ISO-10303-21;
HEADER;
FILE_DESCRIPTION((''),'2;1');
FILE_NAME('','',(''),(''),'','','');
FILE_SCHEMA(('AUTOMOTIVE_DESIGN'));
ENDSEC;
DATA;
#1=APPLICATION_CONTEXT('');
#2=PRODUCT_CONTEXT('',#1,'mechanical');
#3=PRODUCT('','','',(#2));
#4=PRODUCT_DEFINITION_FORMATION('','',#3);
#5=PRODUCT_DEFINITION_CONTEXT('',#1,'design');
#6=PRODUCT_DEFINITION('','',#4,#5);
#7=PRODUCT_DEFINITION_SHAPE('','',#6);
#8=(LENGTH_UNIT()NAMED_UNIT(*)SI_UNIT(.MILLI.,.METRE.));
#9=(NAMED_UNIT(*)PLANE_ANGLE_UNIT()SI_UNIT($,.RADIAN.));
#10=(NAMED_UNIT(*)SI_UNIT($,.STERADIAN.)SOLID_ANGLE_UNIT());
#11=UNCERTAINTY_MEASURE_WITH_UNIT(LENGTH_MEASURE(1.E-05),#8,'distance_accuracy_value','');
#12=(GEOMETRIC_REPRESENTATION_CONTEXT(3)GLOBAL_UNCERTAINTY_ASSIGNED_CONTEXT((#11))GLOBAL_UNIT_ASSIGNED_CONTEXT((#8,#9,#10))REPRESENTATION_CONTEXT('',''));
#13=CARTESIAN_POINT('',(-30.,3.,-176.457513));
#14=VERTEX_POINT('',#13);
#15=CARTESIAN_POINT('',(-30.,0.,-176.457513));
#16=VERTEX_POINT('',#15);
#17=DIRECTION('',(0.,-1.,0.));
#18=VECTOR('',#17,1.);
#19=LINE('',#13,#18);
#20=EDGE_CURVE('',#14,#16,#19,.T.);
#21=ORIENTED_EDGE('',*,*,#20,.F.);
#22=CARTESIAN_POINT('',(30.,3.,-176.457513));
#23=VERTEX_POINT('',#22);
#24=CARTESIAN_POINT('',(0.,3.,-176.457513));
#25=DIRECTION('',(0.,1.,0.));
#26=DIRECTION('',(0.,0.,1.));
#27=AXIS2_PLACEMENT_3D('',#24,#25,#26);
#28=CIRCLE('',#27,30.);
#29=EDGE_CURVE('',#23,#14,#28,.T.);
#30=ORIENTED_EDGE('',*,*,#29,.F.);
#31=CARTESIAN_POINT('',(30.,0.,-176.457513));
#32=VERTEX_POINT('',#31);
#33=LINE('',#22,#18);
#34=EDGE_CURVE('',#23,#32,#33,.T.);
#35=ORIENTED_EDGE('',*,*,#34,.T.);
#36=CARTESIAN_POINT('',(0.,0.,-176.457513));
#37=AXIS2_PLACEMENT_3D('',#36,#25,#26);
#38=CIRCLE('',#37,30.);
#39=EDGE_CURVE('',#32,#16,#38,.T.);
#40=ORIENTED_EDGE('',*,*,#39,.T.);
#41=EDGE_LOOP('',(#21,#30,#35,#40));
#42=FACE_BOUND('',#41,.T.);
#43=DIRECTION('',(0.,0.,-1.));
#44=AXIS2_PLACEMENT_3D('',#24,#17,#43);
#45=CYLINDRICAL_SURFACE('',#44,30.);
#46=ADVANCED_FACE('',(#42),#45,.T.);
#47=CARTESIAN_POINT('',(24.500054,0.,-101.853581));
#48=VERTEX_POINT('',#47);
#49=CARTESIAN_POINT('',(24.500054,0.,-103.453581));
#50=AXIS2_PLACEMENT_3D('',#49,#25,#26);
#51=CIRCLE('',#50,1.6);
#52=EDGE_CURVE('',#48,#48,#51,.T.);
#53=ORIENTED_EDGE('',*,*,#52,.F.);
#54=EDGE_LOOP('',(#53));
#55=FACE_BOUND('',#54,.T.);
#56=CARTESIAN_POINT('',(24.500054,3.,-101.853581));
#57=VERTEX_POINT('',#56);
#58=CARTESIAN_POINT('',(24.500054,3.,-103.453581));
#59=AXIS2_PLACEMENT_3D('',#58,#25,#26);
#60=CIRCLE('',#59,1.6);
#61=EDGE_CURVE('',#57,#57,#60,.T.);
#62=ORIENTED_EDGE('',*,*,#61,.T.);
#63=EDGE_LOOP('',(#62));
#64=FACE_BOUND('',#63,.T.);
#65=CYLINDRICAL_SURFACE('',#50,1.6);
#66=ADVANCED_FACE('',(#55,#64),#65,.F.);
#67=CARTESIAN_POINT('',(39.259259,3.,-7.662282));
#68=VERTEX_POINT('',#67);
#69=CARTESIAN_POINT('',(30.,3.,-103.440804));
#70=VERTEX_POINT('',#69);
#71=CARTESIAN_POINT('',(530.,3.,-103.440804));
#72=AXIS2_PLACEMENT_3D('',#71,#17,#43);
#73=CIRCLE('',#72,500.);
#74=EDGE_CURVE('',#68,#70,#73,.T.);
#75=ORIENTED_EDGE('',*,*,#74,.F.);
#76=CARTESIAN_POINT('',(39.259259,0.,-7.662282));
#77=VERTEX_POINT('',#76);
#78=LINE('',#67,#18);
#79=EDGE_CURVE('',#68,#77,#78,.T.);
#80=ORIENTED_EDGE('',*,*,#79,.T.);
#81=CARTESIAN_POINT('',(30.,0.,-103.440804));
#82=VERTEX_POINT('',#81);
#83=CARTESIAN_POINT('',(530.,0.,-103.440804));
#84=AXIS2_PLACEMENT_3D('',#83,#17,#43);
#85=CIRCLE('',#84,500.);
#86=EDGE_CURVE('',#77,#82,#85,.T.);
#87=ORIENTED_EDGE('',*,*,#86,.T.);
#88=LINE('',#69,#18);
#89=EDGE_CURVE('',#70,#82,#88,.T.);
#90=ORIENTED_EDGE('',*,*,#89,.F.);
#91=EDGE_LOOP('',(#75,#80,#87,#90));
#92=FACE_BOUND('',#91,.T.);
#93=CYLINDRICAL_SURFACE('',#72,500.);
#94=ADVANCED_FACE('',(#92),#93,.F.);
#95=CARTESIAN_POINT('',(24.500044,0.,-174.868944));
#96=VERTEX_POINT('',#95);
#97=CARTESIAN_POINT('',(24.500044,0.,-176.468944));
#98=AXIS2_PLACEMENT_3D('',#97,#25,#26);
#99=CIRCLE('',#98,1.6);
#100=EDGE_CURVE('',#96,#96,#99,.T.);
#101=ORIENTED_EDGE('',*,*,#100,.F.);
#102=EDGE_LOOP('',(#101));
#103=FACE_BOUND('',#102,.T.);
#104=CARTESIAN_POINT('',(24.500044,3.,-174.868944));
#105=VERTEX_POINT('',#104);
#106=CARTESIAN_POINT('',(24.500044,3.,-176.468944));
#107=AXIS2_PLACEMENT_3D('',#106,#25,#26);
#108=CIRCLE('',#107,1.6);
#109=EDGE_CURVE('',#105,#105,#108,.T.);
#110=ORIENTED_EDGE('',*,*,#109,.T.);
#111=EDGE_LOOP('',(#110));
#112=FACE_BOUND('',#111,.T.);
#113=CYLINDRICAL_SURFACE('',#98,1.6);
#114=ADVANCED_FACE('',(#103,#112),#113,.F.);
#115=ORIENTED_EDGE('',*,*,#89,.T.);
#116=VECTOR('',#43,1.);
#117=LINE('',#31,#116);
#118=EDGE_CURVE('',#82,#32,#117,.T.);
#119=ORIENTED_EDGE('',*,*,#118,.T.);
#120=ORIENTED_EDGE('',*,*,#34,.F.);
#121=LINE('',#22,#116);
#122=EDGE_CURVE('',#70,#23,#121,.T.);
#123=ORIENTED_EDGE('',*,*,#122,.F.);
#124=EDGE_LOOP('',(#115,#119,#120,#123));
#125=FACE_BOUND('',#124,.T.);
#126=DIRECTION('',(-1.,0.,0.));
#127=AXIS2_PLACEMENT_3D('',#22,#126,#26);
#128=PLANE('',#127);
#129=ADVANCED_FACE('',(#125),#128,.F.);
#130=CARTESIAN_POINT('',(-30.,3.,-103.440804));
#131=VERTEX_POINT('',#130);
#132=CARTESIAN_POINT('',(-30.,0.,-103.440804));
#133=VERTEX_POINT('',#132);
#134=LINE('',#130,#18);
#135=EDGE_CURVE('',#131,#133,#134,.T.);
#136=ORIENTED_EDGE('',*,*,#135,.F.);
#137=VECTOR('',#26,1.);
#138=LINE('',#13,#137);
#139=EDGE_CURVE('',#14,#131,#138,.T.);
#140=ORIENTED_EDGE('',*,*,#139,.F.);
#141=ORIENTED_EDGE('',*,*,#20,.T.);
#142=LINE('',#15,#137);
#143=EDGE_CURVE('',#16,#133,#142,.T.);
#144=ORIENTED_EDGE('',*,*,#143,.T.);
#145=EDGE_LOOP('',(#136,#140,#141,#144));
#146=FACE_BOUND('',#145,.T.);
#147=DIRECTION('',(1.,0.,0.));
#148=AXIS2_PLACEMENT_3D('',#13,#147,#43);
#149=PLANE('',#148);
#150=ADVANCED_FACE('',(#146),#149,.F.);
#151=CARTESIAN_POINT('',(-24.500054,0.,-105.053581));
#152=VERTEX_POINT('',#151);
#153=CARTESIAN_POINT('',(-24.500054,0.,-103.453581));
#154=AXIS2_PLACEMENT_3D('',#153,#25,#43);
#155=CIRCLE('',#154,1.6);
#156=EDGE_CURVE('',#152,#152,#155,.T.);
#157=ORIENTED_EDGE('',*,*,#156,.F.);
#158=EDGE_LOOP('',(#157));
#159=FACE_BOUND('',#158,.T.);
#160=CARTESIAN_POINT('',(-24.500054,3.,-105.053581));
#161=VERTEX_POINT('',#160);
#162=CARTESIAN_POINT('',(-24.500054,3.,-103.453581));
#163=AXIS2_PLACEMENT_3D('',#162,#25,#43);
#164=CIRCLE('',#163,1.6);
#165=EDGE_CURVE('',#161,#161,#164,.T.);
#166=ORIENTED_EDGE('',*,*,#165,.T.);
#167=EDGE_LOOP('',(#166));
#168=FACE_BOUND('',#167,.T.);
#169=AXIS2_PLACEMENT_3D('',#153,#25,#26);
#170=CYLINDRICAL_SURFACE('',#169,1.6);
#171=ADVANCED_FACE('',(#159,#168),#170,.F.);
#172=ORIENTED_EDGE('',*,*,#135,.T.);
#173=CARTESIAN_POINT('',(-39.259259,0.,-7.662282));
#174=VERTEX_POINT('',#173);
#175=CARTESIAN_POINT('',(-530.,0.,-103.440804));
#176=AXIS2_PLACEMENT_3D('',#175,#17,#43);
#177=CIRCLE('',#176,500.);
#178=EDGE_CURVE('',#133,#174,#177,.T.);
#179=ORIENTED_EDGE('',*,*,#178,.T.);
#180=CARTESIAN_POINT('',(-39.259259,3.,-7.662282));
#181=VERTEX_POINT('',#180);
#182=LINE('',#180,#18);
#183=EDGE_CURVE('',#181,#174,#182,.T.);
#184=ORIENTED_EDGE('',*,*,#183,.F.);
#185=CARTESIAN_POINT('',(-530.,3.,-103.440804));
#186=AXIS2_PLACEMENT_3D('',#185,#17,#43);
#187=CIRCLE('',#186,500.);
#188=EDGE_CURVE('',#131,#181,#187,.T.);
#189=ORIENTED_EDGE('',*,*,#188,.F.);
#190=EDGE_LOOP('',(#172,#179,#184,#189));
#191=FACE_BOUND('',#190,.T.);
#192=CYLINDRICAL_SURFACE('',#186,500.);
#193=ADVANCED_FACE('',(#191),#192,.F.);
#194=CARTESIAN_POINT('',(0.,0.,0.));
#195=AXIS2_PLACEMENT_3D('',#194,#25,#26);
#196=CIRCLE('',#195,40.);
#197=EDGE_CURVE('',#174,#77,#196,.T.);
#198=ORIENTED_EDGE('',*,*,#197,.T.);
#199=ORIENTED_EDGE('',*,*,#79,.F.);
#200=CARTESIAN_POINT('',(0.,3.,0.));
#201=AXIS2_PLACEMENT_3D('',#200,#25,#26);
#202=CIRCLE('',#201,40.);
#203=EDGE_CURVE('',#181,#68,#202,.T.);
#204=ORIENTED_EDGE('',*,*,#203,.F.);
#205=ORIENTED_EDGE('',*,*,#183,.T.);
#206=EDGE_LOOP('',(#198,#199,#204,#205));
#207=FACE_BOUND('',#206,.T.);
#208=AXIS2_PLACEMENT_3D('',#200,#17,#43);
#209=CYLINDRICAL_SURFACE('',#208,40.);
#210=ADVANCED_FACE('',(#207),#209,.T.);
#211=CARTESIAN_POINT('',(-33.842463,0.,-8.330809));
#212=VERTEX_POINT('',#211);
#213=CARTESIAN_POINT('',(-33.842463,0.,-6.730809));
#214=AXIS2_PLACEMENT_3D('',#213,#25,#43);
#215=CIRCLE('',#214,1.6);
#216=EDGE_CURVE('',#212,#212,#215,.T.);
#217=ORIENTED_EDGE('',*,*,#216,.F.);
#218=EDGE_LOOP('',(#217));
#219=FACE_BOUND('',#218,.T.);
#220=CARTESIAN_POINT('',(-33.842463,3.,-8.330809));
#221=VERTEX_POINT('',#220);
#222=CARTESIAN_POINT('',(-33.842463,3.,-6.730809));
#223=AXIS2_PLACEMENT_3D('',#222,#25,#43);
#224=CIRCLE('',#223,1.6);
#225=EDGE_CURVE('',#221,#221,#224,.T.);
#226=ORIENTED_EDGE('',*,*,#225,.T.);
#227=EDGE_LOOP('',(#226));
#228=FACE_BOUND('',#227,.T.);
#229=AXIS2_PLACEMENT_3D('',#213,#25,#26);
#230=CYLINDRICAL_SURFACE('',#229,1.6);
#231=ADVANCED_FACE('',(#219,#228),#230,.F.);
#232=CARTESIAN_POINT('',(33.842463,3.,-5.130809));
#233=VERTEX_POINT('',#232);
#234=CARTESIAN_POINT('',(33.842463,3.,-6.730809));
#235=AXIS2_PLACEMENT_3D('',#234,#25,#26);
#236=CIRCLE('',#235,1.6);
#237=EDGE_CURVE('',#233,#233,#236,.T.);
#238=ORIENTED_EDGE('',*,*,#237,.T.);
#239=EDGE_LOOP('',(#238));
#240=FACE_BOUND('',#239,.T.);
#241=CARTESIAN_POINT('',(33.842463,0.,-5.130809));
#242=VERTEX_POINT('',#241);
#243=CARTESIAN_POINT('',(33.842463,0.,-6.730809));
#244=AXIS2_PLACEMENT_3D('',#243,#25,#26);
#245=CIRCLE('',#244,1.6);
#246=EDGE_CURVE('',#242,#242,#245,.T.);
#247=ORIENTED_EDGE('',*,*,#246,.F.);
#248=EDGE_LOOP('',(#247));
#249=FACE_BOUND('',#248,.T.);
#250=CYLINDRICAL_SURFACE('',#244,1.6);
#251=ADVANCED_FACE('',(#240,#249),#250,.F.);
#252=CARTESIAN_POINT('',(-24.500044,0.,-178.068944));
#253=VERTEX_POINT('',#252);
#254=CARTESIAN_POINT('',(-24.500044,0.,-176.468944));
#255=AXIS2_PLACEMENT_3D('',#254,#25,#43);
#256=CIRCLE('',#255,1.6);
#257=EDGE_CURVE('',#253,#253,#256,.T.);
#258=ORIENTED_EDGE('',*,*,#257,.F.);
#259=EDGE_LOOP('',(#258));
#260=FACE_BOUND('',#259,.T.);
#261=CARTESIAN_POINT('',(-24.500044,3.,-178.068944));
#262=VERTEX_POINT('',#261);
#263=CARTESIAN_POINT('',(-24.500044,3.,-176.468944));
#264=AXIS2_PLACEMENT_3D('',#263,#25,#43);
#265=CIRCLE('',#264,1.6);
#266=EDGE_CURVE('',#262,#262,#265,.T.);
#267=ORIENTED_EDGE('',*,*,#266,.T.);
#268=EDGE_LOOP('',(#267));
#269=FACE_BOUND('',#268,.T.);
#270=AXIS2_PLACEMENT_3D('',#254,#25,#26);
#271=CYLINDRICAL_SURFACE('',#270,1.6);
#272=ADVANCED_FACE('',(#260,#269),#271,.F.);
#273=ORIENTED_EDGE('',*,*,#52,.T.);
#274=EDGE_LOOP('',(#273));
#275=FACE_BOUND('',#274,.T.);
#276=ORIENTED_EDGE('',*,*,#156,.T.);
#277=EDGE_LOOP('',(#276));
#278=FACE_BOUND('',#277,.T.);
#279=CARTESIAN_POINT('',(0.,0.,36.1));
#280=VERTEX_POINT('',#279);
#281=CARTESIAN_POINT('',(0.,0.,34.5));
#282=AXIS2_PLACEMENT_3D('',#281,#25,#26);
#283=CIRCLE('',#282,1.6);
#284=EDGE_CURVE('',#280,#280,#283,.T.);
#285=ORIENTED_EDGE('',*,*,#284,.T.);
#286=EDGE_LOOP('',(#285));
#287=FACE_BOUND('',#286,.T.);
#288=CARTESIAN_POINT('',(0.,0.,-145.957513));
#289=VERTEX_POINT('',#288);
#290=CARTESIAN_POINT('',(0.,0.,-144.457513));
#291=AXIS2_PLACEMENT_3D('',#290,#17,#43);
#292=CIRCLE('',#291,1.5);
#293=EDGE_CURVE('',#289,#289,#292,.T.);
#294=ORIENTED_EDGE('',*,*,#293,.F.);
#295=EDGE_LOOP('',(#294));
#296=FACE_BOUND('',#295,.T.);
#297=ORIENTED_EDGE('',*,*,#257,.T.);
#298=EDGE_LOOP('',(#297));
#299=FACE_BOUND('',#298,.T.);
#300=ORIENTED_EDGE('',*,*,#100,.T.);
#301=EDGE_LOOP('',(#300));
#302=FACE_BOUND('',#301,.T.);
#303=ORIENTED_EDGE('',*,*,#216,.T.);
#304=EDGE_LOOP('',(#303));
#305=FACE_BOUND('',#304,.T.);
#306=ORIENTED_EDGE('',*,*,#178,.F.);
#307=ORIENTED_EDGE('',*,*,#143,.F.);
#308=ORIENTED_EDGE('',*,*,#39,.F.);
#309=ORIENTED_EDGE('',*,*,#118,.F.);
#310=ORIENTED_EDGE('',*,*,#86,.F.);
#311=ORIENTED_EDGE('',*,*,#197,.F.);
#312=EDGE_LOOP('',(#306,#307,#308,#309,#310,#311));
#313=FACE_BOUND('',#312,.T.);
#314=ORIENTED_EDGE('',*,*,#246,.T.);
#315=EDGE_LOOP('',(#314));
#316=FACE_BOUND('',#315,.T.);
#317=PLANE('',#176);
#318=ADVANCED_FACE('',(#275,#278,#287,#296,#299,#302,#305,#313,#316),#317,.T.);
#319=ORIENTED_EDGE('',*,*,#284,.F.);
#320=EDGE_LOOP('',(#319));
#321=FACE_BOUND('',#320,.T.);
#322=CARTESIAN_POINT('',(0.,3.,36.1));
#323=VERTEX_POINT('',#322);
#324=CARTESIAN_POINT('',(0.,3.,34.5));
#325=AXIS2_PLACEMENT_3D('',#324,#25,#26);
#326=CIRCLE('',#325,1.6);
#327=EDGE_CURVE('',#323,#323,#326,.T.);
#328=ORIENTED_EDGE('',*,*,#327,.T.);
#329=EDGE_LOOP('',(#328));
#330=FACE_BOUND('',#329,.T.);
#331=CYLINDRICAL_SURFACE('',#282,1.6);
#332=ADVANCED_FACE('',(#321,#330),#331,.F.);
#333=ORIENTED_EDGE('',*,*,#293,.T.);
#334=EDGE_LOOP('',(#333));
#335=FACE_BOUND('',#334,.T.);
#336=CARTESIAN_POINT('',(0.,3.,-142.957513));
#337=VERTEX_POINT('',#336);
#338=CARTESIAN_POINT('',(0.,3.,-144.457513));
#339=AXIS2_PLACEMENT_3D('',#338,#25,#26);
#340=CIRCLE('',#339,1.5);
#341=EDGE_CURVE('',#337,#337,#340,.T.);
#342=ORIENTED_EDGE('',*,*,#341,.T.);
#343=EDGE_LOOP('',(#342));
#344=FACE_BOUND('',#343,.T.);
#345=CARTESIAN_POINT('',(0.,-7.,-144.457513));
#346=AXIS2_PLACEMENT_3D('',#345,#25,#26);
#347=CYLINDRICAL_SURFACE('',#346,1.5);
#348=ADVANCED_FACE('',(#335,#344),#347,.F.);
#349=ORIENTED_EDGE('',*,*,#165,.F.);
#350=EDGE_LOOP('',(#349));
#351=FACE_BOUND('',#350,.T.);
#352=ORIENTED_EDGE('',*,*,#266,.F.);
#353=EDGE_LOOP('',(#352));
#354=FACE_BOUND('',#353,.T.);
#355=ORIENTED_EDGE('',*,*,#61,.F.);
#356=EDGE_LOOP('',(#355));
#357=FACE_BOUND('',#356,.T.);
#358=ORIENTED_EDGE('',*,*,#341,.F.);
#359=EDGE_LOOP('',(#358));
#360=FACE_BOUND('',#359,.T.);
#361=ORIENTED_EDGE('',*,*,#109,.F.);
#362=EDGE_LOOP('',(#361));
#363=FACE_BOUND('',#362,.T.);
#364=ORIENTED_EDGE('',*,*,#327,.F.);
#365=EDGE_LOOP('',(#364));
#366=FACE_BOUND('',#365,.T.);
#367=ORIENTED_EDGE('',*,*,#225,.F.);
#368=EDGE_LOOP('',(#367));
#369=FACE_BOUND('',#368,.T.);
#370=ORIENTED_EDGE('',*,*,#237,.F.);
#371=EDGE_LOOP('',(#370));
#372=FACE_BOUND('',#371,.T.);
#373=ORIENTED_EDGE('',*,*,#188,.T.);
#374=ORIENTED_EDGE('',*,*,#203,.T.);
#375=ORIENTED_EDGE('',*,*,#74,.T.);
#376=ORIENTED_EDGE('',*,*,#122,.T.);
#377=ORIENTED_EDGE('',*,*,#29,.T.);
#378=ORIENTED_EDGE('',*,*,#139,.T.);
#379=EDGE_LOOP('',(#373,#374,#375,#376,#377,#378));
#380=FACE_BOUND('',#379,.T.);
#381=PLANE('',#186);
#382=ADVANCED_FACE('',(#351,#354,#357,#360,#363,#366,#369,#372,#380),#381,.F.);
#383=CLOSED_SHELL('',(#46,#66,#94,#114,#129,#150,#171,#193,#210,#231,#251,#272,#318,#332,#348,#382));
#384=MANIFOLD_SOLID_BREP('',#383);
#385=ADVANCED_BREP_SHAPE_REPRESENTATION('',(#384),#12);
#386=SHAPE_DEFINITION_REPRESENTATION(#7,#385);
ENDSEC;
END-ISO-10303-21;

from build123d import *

# Parameters (mm, degrees)
EXTRUDE_1_DEPTH     = 3
SKETCH_2_R          = 1.6
CUT_EXTRUDE_1_DEPTH = 3
SKETCH_3_R          = 1.5
CUT_EXTRUDE_2_DEPTH = 10


with BuildPart() as part:
    # 草图1 → 凸台-拉伸1 (new body)
    with BuildSketch(Plane(origin=(0, 0, 0), x_dir=(1, 0, 0), z_dir=(0, 1, 0))):
        with BuildLine():
            Line((30, 176.457513111), (30, 103.440804328))
            ThreePointArc((30, 103.440804328), (32.320198134, 55.328281895), (39.259259259, 7.662281802))
            ThreePointArc((39.259259259, 7.662281802), (0, -40), (-39.259259259, 7.662281802))
            ThreePointArc((-39.259259259, 7.662281802), (-32.320198134, 55.328281895), (-30, 103.440804328))
            Line((-30, 103.440804328), (-30, 176.457513111))
            ThreePointArc((-30, 176.457513111), (0, 206.457513111), (30, 176.457513111))
        make_face()
    extrude(amount=EXTRUDE_1_DEPTH)

    # 草图2 → 切除-拉伸1 (cut)
    with BuildSketch(Plane(origin=(0, 3, 0), x_dir=(1, 0, 0), z_dir=(0, 1, 0))):
        with Locations(Location((0, -34.5, 0), (0, 0, 270))):
            Circle(SKETCH_2_R)
        with Locations(Location((33.842463041, 6.730809037, 0), (0, 0, 270))):
            Circle(SKETCH_2_R)
        with Locations(Location((24.500054413, 103.453580765, 0), (0, 0, 270))):
            Circle(SKETCH_2_R)
        with Locations(Location((24.500043559, 176.468944491, 0), (0, 0, 270))):
            Circle(SKETCH_2_R)
        with Locations(Location((-24.500043559, 176.468944491, 0), (0, 0, 90))):
            Circle(SKETCH_2_R)
        with Locations(Location((-24.500054413, 103.453580765, 0), (0, 0, 90))):
            Circle(SKETCH_2_R)
        with Locations(Location((-33.842463041, 6.730809037, 0), (0, 0, 90))):
            Circle(SKETCH_2_R)
    extrude(amount=-CUT_EXTRUDE_1_DEPTH, mode=Mode.SUBTRACT)

    # 草图3 → 切除-拉伸2 (cut)
    with BuildSketch(Plane(origin=(0, 3, 0), x_dir=(1, 0, 0), z_dir=(0, 1, 0))):
        with Locations(Location((0, 144.457513111, 0), (0, 0, 270))):
            Circle(SKETCH_3_R)
    extrude(amount=-CUT_EXTRUDE_2_DEPTH, mode=Mode.SUBTRACT)


solid = part.part
